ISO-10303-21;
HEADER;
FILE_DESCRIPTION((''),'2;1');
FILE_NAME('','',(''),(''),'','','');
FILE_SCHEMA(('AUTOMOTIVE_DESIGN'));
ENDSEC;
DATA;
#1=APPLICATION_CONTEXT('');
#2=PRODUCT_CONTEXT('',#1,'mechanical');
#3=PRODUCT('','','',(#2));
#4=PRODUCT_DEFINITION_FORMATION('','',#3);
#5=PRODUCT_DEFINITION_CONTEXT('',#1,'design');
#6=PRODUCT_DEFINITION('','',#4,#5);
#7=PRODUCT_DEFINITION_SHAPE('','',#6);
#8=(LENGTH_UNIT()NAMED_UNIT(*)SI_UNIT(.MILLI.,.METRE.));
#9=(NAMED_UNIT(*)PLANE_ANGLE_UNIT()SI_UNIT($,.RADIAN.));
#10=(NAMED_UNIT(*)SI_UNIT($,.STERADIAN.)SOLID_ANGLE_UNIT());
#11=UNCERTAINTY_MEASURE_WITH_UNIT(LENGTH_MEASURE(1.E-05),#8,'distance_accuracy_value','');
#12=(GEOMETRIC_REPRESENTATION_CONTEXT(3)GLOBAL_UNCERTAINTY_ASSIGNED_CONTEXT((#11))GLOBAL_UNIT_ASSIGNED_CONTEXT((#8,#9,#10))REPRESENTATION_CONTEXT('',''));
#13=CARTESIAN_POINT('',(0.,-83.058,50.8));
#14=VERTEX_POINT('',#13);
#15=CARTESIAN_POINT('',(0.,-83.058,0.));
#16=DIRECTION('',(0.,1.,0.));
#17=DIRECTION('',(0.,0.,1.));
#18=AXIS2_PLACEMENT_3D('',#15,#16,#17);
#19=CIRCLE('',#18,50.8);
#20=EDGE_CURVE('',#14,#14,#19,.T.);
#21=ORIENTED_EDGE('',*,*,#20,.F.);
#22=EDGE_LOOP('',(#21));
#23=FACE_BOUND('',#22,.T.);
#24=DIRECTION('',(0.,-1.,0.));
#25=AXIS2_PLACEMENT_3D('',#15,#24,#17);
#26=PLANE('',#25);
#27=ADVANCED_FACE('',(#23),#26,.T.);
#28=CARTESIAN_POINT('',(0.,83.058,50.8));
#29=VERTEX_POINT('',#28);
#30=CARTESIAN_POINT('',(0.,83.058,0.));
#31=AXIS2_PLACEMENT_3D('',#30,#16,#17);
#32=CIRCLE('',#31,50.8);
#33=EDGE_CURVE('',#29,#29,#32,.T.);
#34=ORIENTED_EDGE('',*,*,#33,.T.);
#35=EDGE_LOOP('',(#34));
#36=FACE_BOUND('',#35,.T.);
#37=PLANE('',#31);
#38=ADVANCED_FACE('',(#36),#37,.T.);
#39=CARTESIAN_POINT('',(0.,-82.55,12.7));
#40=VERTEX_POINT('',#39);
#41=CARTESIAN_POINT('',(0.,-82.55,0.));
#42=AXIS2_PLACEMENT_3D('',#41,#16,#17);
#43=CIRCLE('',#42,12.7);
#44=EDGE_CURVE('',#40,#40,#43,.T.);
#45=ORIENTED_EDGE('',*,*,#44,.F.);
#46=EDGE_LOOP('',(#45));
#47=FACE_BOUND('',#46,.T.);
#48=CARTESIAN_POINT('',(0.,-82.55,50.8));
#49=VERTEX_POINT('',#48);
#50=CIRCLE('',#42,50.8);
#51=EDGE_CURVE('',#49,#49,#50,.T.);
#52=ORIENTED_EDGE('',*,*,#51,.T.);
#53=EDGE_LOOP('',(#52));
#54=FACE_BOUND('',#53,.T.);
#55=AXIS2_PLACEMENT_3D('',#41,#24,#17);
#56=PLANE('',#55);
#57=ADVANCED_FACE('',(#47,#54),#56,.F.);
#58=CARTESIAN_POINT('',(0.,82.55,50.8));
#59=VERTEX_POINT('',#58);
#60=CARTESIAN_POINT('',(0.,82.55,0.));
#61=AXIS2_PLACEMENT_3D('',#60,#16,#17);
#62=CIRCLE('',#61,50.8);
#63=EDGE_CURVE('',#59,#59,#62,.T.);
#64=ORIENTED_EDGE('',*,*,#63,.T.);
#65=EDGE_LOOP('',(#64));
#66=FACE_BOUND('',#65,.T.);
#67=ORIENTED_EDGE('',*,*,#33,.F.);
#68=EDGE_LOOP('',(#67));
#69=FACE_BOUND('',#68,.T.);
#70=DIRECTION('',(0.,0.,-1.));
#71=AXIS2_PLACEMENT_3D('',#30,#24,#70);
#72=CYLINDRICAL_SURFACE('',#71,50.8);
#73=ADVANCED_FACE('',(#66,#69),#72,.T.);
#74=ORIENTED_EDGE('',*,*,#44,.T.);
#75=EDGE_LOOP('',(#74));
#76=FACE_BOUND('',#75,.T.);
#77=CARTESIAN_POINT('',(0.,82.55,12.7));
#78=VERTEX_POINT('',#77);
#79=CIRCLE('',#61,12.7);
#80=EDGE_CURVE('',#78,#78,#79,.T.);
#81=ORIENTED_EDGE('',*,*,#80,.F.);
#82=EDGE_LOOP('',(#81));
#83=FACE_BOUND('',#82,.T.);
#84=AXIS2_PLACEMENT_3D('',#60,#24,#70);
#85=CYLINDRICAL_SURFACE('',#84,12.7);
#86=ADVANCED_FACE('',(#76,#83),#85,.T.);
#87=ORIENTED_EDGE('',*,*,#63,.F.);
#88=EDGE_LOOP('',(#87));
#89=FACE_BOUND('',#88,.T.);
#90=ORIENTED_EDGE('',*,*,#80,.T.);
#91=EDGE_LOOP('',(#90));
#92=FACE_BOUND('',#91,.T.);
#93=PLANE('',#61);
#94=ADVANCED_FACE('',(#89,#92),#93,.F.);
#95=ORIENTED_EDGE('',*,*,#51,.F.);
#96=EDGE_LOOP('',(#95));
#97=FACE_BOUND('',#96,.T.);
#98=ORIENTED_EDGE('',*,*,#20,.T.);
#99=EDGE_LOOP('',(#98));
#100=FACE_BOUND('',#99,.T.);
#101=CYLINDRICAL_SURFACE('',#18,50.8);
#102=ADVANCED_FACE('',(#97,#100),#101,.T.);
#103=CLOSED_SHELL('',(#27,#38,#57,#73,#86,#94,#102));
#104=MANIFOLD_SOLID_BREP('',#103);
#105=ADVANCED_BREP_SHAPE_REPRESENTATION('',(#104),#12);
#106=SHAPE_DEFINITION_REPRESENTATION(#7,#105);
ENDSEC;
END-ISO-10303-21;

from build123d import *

# Parameters (mm, degrees)
SKETCH1_R           = 12.7
BOSS_EXTRUDE1_DEPTH = 82.55
SKETCH2_R           = 50.8
BOSS_EXTRUDE2_DEPTH = 0.508


with BuildPart() as part:
    # Sketch1 → Boss-Extrude1 (new body, symmetric)
    with BuildSketch(Plane(origin=(0, 0, 0), x_dir=(1, 0, 0), z_dir=(0, 1, 0))):
        Circle(SKETCH1_R)
    extrude(amount=BOSS_EXTRUDE1_DEPTH, both=True)

    # Sketch2 → Boss-Extrude2 (add)
    with BuildSketch(Plane(origin=(0, 82.55, 0), x_dir=(1, 0, 0), z_dir=(0, 1, 0))):
        Circle(SKETCH2_R)
    boss_extrude2 = extrude(amount=BOSS_EXTRUDE2_DEPTH)

    # Mirror1: Boss-Extrude2 across plane
    add(boss_extrude2.mirror(Plane.ZX))


solid = part.part
